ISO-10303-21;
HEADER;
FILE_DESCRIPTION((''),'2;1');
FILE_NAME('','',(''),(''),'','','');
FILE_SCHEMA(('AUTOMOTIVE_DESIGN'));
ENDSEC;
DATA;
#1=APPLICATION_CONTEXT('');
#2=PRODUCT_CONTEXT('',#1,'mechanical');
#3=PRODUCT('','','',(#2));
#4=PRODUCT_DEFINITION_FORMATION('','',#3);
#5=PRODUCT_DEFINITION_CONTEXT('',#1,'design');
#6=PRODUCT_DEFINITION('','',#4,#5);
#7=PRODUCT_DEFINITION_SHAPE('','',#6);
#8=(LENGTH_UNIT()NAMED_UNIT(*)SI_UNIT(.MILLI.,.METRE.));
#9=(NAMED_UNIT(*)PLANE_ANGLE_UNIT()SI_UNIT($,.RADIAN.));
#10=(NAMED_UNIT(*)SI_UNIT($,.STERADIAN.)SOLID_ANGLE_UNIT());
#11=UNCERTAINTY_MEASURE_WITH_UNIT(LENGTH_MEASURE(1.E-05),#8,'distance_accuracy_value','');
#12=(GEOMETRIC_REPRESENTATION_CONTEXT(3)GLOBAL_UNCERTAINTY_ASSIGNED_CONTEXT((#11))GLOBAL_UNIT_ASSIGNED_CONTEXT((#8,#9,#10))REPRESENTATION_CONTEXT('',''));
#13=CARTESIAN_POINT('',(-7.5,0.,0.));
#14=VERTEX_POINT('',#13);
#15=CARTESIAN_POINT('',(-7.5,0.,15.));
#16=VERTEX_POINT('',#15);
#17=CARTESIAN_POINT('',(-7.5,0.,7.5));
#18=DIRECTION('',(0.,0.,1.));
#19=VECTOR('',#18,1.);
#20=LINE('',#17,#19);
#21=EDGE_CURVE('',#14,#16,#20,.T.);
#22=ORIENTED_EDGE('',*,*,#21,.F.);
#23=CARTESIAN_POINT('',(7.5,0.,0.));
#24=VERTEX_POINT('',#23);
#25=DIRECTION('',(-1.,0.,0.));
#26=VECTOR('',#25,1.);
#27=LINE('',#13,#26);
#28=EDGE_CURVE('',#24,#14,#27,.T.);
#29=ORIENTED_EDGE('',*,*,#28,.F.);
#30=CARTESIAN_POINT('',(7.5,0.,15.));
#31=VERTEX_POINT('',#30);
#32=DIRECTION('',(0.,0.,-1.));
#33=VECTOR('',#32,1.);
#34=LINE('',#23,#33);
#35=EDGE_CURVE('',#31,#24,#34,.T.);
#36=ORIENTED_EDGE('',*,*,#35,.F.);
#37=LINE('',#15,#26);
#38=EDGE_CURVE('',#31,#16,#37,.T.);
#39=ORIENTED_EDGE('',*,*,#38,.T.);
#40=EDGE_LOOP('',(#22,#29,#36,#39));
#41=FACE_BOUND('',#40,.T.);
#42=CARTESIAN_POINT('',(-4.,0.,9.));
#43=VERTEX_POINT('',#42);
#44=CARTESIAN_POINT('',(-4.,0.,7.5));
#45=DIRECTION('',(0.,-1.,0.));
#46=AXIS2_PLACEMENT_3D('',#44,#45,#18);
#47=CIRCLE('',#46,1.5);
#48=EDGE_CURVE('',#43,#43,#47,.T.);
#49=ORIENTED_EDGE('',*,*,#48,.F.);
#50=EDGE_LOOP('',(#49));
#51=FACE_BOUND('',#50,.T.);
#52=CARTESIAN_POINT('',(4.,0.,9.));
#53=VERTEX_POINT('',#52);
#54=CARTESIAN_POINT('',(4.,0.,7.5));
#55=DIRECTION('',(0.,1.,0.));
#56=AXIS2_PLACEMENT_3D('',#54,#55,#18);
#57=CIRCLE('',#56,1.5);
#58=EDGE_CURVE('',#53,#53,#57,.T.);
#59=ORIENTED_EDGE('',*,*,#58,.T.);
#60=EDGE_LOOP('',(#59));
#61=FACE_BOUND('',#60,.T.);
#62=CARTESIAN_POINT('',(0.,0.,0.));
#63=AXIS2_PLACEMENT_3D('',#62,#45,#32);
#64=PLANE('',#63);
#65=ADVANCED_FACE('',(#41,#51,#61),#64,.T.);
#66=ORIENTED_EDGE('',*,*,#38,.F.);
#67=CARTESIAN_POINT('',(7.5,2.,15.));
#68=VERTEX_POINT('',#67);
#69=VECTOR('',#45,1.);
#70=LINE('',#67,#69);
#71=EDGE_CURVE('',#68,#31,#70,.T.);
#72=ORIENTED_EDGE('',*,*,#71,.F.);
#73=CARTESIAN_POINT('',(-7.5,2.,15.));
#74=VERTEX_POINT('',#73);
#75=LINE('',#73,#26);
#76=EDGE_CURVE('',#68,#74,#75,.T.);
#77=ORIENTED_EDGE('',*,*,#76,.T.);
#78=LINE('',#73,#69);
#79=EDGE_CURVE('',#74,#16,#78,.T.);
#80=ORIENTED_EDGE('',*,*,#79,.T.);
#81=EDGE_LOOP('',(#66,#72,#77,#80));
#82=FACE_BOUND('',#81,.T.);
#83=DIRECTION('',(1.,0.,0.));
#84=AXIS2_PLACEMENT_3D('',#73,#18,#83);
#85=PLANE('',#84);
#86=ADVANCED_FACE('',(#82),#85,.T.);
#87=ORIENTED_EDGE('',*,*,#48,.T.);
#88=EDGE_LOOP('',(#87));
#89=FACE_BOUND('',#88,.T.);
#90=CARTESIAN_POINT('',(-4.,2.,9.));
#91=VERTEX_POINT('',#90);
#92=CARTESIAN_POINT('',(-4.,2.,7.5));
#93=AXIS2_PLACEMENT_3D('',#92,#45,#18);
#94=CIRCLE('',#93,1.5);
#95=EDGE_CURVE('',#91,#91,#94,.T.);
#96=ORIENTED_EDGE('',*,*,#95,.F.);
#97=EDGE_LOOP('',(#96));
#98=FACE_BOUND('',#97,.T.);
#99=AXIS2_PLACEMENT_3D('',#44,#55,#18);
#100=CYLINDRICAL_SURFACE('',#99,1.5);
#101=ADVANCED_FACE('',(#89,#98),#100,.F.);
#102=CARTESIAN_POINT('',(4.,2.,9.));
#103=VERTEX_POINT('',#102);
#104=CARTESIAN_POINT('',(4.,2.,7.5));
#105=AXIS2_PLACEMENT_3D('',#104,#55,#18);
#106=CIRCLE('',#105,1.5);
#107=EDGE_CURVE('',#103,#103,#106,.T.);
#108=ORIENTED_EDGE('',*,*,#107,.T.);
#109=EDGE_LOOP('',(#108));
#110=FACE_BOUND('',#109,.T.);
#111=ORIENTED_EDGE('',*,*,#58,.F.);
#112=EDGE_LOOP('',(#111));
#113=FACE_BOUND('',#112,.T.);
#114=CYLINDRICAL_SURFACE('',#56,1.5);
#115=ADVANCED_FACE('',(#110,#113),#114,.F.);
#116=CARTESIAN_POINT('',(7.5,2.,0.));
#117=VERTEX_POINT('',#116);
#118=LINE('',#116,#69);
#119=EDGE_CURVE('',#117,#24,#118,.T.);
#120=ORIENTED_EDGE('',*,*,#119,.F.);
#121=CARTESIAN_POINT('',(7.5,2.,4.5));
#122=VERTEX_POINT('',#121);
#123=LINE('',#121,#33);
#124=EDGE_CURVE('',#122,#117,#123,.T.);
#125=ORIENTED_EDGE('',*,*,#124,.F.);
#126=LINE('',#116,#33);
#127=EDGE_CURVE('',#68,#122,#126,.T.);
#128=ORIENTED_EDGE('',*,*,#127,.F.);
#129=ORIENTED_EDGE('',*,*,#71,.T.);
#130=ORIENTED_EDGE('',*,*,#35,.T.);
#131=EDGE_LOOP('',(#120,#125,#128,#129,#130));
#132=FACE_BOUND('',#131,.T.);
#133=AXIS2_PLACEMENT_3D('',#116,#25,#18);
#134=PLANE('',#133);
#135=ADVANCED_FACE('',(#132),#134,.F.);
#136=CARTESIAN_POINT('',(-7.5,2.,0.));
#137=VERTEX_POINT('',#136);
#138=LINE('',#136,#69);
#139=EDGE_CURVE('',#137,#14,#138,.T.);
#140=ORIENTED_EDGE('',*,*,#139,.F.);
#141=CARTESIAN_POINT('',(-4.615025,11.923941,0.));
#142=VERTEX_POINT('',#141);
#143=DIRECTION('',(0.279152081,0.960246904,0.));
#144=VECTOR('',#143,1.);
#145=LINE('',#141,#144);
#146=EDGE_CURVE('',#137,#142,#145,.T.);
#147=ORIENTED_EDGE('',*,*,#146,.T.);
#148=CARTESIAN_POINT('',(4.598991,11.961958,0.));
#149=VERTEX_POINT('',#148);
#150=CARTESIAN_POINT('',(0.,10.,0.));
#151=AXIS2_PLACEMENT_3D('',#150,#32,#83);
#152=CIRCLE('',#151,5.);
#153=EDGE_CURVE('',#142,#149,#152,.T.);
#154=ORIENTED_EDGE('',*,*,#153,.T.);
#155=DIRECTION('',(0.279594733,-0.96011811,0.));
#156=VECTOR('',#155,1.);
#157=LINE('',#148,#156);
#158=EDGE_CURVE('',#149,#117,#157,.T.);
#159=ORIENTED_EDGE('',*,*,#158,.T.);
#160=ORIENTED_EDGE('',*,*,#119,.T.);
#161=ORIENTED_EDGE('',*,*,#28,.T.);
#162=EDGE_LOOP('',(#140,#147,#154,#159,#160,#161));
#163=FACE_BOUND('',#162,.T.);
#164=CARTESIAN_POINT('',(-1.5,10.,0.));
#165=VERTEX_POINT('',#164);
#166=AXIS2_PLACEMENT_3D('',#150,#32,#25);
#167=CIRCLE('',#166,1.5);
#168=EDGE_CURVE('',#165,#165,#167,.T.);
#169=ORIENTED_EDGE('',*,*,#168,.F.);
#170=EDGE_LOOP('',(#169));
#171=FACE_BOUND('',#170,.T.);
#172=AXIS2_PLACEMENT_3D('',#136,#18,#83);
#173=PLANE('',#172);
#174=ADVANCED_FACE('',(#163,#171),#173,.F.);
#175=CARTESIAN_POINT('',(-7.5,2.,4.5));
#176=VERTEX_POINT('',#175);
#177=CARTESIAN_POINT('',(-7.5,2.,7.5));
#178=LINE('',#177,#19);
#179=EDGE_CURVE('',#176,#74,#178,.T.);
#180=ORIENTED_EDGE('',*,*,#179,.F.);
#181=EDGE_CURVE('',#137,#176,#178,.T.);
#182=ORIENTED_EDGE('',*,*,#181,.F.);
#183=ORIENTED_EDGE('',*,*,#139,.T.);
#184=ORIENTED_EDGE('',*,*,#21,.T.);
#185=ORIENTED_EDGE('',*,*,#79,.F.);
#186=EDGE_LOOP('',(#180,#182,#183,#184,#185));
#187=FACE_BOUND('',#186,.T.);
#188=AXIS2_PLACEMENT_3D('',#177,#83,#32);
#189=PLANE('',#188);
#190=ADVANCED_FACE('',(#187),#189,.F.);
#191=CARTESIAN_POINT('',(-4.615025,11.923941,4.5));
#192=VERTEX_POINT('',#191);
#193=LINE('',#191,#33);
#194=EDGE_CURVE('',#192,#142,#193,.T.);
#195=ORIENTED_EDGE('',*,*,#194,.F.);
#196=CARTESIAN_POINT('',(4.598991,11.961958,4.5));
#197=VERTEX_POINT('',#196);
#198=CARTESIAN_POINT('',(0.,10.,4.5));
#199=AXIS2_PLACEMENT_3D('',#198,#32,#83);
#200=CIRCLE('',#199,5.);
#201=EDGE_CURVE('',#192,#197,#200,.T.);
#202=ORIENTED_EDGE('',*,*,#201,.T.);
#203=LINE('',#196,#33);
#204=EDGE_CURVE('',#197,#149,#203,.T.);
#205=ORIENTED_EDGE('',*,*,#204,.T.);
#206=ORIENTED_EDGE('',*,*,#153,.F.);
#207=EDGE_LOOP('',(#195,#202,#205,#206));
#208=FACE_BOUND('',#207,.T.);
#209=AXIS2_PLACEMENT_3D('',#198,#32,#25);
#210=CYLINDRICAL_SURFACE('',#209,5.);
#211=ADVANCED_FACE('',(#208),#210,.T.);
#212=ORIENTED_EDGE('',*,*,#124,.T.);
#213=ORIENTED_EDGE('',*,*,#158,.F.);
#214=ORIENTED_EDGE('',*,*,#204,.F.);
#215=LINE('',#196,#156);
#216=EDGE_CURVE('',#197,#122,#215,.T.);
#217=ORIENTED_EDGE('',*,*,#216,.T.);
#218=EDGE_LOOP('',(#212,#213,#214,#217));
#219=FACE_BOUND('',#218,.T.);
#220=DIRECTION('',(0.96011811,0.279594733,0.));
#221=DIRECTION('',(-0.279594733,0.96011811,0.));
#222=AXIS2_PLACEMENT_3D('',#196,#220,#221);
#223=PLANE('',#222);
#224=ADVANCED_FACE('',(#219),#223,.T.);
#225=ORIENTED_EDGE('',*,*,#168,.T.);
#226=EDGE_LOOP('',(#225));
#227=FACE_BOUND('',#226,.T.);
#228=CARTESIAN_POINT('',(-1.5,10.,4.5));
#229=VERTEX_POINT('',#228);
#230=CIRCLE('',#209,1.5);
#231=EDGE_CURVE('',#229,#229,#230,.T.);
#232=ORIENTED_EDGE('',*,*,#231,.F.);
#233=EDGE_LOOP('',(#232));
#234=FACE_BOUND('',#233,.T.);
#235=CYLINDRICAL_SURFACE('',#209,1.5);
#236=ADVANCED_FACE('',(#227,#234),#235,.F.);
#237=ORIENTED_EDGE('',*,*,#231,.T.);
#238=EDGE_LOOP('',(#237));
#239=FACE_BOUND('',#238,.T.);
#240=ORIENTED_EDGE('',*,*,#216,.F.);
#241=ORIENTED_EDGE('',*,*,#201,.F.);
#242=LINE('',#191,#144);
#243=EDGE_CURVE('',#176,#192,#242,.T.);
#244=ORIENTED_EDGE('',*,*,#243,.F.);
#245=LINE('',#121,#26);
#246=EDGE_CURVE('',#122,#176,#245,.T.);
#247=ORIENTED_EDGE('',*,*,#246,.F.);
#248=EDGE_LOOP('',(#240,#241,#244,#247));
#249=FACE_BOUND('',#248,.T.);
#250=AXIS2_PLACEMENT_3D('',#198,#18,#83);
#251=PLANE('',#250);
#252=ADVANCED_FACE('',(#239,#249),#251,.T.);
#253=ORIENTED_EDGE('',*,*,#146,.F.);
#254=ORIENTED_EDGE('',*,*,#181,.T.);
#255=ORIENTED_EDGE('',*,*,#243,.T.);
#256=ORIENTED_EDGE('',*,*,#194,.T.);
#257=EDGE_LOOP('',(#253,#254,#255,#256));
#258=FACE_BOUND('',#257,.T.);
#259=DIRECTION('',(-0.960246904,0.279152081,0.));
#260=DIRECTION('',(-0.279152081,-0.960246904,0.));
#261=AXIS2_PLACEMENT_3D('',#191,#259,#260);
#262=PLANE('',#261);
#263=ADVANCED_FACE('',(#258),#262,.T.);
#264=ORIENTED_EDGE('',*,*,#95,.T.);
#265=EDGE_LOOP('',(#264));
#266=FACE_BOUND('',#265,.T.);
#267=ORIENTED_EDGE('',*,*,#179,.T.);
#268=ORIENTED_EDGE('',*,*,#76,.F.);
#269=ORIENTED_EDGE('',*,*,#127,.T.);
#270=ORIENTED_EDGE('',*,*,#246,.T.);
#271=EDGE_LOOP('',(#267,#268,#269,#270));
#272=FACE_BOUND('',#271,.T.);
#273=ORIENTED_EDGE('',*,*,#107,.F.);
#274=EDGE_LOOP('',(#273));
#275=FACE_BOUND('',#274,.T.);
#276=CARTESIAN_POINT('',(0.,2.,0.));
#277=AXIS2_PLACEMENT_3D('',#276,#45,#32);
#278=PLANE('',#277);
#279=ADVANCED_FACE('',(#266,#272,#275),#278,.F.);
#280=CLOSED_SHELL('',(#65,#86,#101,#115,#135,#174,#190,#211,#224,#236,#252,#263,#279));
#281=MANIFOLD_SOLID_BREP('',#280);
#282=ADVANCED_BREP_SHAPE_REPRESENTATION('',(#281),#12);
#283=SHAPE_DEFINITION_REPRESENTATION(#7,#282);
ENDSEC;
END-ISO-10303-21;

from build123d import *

# Parameters (mm, degrees)
SKETCH7_W           = 15
SKETCH7_H           = 7.5
BOSS_EXTRUDE2_DEPTH = 2
SKETCH8_R           = 1.5
BOSS_EXTRUDE3_DEPTH = 4.5
SKETCH9_R           = 1.5
CUT_EXTRUDE1_DEPTH  = 3


with BuildPart() as part:
    # Sketch7 → Boss-Extrude2 (new body)
    with BuildSketch(Plane(origin=(0, 0, 0), x_dir=(1, 0, 0), z_dir=(0, 1, 0))):
        with Locations((0, -3.75)):
            Rectangle(SKETCH7_W, SKETCH7_H)
    boss_extrude2 = extrude(amount=BOSS_EXTRUDE2_DEPTH)

    # Sketch8 → Boss-Extrude3 (add)
    with BuildSketch(Plane(origin=(0, 0, 0), x_dir=(-1, 0, 0), z_dir=(0, 0, -1))):
        with BuildLine():
            Line((-4.598991345, 11.961957852), (-7.5, 2))
            Line((-7.5, 2), (7.5, 2))
            Line((7.5, 2), (4.615024569, 11.923940807))
            ThreePointArc((4.615024569, 11.923940807), (0.020629833, 14.999957441), (-4.598991345, 11.961957852))
        make_face()
        with Locations((0, 10)):
            Circle(SKETCH8_R, mode=Mode.SUBTRACT)
    extrude(amount=-BOSS_EXTRUDE3_DEPTH)

    # Mirror1: Boss-Extrude2 across plane
    add(boss_extrude2.mirror(Plane(origin=(7.5, 2, 7.5), x_dir=(1, 0, 0), z_dir=(0, 0, -1))))

    # Sketch9 → Cut-Extrude1 (cut, through all)
    with BuildSketch(Plane(origin=(0, 2, 0), x_dir=(1, 0, 0), z_dir=(0, 1, 0))):
        with Locations((4, -7.5)):
            Circle(SKETCH9_R)
    cut_extrude1 = extrude(amount=-CUT_EXTRUDE1_DEPTH, mode=Mode.SUBTRACT)

    # Mirror2: Cut-Extrude1 across plane
    add(cut_extrude1.mirror(Plane(origin=(0, 0, 0), x_dir=(0, 0, 1), z_dir=(1, 0, 0))), mode=Mode.SUBTRACT)


solid = part.part
